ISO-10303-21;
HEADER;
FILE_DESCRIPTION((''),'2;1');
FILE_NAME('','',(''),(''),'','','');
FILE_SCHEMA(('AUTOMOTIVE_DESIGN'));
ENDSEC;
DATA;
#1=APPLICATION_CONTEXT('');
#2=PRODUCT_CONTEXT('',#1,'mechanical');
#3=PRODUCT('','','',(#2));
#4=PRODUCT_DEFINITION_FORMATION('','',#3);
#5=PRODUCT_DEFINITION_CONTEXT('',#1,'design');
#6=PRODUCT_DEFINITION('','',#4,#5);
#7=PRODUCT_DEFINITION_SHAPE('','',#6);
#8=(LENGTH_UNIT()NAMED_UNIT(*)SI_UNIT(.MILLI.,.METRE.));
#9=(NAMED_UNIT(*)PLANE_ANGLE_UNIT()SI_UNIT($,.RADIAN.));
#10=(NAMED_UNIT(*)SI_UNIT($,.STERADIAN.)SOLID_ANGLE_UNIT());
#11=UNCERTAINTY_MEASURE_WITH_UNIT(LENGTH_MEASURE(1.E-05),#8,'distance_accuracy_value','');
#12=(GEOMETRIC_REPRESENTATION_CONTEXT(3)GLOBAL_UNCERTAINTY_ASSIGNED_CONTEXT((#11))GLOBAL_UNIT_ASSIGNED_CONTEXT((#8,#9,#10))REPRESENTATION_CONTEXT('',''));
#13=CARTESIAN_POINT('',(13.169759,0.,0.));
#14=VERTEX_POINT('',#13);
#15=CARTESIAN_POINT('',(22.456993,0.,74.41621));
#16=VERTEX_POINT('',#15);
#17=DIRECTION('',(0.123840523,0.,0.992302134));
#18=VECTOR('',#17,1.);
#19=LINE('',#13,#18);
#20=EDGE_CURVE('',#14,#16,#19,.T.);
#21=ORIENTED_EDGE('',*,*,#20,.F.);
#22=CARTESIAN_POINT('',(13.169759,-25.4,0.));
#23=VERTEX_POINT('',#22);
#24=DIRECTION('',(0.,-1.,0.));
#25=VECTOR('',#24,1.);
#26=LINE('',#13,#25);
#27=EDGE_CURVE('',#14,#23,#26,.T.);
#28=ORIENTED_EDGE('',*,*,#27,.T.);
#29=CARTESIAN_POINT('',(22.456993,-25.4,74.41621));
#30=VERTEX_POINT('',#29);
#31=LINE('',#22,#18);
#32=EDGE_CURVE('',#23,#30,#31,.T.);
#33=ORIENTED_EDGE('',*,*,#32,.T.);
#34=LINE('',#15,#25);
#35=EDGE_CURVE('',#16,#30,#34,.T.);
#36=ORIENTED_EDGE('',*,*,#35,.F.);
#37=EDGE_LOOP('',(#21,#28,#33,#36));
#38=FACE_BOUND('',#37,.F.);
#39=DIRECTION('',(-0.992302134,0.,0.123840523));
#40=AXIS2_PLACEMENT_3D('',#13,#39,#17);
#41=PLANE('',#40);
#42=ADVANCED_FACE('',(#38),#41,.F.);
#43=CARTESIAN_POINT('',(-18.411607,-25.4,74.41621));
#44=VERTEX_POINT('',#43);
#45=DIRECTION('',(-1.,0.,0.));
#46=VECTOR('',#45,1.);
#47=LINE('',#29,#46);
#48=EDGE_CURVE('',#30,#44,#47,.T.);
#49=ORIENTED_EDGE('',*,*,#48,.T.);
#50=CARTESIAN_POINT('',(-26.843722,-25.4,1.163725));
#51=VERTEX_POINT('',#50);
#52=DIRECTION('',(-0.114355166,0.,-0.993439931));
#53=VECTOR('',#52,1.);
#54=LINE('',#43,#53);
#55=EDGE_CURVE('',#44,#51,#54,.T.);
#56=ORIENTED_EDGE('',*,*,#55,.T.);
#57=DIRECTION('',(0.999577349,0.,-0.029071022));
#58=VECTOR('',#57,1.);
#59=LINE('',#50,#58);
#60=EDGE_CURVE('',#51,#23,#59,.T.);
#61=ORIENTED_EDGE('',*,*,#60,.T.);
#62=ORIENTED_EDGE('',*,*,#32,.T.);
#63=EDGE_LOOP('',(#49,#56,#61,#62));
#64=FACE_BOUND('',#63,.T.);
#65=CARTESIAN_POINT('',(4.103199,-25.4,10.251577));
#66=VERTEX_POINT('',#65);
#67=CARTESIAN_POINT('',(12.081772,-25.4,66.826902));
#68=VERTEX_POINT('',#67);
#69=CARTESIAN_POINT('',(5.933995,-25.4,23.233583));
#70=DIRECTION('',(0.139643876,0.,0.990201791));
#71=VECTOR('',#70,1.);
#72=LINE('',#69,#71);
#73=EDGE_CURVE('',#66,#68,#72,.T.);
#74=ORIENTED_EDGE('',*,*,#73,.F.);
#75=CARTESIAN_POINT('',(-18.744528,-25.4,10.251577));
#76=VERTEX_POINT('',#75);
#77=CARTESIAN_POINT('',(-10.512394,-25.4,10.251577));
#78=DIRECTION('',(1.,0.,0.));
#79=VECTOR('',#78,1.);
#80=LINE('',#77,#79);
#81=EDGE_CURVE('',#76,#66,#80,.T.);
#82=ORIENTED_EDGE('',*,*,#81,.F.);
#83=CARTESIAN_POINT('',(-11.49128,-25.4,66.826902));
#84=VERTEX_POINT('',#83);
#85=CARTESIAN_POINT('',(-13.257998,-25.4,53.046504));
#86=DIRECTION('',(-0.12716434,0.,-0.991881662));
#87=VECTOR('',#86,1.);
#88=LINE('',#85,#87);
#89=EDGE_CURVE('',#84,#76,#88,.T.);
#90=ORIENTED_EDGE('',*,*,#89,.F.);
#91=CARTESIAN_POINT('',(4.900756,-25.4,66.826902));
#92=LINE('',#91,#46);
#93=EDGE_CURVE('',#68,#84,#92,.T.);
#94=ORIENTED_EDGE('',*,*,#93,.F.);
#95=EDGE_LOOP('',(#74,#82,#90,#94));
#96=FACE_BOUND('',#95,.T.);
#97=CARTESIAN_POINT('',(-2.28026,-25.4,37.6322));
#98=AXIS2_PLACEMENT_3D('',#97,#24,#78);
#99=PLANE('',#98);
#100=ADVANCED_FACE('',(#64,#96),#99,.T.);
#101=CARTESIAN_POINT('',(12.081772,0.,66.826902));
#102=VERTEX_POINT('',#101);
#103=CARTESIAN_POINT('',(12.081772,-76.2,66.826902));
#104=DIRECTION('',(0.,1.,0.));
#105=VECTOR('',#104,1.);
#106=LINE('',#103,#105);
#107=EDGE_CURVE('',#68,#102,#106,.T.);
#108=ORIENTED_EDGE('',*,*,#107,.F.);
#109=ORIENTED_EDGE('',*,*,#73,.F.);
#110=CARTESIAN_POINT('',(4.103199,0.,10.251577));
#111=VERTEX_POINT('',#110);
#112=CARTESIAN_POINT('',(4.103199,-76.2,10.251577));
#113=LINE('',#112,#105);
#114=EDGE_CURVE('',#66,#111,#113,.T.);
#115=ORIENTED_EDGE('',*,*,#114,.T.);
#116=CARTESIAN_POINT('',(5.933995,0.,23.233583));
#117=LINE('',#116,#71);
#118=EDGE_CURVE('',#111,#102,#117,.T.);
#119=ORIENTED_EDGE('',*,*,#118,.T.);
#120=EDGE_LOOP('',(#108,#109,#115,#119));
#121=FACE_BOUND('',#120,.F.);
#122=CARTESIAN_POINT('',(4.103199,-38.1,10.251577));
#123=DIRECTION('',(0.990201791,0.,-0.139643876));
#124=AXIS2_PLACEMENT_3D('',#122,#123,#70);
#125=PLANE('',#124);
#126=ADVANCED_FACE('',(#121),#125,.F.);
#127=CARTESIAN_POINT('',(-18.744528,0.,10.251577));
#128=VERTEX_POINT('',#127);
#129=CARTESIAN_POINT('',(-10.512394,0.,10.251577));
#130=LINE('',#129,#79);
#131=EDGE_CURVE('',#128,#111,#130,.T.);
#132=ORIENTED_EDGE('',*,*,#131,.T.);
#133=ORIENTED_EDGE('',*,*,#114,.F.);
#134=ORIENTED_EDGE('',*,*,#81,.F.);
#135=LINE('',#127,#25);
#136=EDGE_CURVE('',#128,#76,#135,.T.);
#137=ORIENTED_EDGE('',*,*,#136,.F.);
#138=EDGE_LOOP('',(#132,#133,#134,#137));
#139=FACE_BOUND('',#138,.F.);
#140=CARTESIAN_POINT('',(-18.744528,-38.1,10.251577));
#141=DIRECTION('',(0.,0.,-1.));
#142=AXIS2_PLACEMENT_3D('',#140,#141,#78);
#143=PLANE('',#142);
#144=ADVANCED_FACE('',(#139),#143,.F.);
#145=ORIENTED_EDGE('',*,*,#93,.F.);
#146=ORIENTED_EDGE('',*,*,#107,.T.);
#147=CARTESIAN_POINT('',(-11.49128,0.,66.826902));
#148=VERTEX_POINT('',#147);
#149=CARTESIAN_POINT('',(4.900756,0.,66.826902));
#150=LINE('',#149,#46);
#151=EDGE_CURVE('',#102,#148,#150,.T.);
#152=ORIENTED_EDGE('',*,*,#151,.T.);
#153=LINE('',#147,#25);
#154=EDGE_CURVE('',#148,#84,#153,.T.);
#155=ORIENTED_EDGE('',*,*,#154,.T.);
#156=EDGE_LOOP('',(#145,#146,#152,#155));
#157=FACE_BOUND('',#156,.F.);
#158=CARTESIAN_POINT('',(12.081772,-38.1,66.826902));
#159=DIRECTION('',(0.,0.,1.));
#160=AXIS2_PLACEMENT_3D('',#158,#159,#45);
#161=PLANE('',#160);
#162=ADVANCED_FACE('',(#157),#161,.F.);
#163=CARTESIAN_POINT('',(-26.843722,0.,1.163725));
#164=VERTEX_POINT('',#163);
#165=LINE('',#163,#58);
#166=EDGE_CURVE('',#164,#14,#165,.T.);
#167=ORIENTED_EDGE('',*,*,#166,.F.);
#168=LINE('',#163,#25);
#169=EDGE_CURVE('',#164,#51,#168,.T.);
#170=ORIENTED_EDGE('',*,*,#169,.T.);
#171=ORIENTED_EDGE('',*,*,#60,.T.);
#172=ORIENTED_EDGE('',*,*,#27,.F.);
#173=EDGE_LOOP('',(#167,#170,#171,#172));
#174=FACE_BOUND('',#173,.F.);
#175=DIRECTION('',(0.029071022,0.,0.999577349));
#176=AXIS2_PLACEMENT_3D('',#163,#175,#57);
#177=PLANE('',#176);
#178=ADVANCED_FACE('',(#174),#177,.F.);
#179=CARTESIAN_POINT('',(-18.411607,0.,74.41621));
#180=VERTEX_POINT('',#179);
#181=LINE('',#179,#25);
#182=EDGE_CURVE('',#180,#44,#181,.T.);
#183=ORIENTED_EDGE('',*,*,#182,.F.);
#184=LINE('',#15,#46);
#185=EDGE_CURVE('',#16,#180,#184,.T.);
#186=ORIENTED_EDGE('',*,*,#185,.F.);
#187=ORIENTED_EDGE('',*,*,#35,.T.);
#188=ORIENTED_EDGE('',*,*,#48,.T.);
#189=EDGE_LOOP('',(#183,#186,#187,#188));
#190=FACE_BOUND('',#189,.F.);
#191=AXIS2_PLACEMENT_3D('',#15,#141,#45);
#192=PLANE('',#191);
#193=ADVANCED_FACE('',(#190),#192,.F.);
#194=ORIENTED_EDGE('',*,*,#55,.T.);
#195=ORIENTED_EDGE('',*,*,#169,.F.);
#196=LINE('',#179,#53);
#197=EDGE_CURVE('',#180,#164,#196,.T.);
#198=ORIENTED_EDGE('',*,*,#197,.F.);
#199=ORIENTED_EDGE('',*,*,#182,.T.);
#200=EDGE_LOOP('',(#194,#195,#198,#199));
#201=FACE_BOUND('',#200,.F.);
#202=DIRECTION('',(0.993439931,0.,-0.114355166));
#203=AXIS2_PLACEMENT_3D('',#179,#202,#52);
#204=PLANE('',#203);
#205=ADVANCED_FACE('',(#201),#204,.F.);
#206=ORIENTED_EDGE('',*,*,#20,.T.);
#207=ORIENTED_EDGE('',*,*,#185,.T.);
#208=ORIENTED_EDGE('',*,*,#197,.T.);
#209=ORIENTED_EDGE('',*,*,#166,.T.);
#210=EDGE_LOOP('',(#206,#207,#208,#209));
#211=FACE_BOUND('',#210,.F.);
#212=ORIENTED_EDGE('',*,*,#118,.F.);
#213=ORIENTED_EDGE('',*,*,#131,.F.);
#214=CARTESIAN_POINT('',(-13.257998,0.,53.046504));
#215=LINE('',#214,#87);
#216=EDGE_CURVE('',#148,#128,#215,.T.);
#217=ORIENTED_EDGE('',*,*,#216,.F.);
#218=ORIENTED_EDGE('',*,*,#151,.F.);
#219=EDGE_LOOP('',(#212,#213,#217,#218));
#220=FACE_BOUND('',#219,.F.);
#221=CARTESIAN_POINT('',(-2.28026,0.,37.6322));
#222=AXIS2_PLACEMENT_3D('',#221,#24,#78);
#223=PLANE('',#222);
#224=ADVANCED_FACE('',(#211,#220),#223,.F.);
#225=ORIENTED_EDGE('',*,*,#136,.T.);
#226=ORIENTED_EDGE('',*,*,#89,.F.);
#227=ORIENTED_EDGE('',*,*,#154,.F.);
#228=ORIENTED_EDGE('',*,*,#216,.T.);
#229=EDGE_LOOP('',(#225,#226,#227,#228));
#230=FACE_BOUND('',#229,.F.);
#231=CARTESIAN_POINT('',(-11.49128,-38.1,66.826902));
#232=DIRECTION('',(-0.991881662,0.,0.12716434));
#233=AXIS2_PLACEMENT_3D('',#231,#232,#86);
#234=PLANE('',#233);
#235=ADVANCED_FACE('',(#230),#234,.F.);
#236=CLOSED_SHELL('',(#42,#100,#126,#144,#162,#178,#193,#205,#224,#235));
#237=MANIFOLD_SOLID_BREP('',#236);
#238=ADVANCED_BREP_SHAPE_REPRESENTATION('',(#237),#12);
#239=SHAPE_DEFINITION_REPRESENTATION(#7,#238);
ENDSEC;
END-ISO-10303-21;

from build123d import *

# Parameters (mm, degrees)
F1_DEPTH = 76.2
F3_DEPTH = 25.4
F4_DEPTH = 25.4
F5_DEPTH = 38.1
F6_DEPTH = 38.1
F7_DEPTH = 38.1
F8_DEPTH = 38.1
F9_DEPTH = 38.1


with BuildPart() as f1:
    # F0 (on Front) → F1 (new body)
    with BuildSketch(Plane.XZ):
        Polygon((22.4569932461, 74.4162100717), (-18.4116067539, 74.4162100717), (-26.8437221389, 1.1637246492), (13.1697589532, 0), align=None)
    extrude(amount=F1_DEPTH)

    # F2 (on Front) + F1_face (on face) → F3 (cut)
    with BuildSketch(Plane.XZ):
        Polygon((12.081772089, 66.8269023299), (-11.4912800491, 66.8269023299), (-18.7445282936, 10.2515770122), (4.1031986475, 10.2515770122), align=None)
    with BuildSketch(Plane(origin=(-2.3405186652, -76.2, 37.6069334432), x_dir=(1, 0, 0), z_dir=(0, -1, 0))):
        Polygon((-24.5032034737, -36.443208794), (15.5102776183, -37.6069334432), (24.7975119113, 36.8092766285), (-16.0710880887, 36.8092766285), align=None)
    extrude(amount=-F3_DEPTH, mode=Mode.SUBTRACT)

    # F2 (on Front) + F3_face (on face) → F4 (cut)
    with BuildSketch(Plane.XZ):
        Polygon((12.081772089, 66.8269023299), (-11.4912800491, 66.8269023299), (-18.7445282936, 10.2515770122), (4.1031986475, 10.2515770122), align=None)
    with BuildSketch(Plane(origin=(-2.3405186652, -50.8, 37.6069334432), x_dir=(1, 0, 0), z_dir=(0, -1, 0))):
        Polygon((-16.0710880887, 36.8092766285), (-24.5032034737, -36.443208794), (15.5102776183, -37.6069334432), (24.7975119113, 36.8092766285), align=None)
    extrude(amount=-F4_DEPTH, mode=Mode.SUBTRACT)

    # F2 (on Front) → F5 (cut, symmetric)
    with BuildSketch(Plane.XZ):
        Polygon((12.081772089, 66.8269023299), (-11.4912800491, 66.8269023299), (-18.7445282936, 10.2515770122), (4.1031986475, 10.2515770122), align=None)
    extrude(amount=F5_DEPTH, both=True, mode=Mode.SUBTRACT)

    # F2 (on Front) → F6 (join, symmetric)
    with BuildSketch(Plane.XZ):
        Polygon((12.081772089, 66.8269023299), (-11.4912800491, 66.8269023299), (-18.7445282936, 10.2515770122), (4.1031986475, 10.2515770122), align=None)
    extrude(amount=F6_DEPTH, both=True)

    # F7 (cut, symmetric): a face of the model
    f7_faces = [f1.faces().sort_by_distance(p)[0] for p in [
        (-3.4928762861, -38.1, 38.6865713538),
    ]]
    extrude(f7_faces, amount=F7_DEPTH, both=True, mode=Mode.SUBTRACT)

    # F8 (cut, symmetric): a face of the model
    f8_faces = [f1.faces().sort_by_distance(p)[0] for p in [
        (-3.4928762861, 38.1, 38.6865713538),
    ]]
    extrude(f8_faces, amount=F8_DEPTH, both=True, mode=Mode.SUBTRACT)

    # F2 (on Front) → F9 (cut, symmetric)
    with BuildSketch(Plane.XZ):
        Polygon((12.081772089, 66.8269023299), (-11.4912800491, 66.8269023299), (-18.7445282936, 10.2515770122), (4.1031986475, 10.2515770122), align=None)
    extrude(amount=F9_DEPTH, both=True, mode=Mode.SUBTRACT)


solid = f1.part
